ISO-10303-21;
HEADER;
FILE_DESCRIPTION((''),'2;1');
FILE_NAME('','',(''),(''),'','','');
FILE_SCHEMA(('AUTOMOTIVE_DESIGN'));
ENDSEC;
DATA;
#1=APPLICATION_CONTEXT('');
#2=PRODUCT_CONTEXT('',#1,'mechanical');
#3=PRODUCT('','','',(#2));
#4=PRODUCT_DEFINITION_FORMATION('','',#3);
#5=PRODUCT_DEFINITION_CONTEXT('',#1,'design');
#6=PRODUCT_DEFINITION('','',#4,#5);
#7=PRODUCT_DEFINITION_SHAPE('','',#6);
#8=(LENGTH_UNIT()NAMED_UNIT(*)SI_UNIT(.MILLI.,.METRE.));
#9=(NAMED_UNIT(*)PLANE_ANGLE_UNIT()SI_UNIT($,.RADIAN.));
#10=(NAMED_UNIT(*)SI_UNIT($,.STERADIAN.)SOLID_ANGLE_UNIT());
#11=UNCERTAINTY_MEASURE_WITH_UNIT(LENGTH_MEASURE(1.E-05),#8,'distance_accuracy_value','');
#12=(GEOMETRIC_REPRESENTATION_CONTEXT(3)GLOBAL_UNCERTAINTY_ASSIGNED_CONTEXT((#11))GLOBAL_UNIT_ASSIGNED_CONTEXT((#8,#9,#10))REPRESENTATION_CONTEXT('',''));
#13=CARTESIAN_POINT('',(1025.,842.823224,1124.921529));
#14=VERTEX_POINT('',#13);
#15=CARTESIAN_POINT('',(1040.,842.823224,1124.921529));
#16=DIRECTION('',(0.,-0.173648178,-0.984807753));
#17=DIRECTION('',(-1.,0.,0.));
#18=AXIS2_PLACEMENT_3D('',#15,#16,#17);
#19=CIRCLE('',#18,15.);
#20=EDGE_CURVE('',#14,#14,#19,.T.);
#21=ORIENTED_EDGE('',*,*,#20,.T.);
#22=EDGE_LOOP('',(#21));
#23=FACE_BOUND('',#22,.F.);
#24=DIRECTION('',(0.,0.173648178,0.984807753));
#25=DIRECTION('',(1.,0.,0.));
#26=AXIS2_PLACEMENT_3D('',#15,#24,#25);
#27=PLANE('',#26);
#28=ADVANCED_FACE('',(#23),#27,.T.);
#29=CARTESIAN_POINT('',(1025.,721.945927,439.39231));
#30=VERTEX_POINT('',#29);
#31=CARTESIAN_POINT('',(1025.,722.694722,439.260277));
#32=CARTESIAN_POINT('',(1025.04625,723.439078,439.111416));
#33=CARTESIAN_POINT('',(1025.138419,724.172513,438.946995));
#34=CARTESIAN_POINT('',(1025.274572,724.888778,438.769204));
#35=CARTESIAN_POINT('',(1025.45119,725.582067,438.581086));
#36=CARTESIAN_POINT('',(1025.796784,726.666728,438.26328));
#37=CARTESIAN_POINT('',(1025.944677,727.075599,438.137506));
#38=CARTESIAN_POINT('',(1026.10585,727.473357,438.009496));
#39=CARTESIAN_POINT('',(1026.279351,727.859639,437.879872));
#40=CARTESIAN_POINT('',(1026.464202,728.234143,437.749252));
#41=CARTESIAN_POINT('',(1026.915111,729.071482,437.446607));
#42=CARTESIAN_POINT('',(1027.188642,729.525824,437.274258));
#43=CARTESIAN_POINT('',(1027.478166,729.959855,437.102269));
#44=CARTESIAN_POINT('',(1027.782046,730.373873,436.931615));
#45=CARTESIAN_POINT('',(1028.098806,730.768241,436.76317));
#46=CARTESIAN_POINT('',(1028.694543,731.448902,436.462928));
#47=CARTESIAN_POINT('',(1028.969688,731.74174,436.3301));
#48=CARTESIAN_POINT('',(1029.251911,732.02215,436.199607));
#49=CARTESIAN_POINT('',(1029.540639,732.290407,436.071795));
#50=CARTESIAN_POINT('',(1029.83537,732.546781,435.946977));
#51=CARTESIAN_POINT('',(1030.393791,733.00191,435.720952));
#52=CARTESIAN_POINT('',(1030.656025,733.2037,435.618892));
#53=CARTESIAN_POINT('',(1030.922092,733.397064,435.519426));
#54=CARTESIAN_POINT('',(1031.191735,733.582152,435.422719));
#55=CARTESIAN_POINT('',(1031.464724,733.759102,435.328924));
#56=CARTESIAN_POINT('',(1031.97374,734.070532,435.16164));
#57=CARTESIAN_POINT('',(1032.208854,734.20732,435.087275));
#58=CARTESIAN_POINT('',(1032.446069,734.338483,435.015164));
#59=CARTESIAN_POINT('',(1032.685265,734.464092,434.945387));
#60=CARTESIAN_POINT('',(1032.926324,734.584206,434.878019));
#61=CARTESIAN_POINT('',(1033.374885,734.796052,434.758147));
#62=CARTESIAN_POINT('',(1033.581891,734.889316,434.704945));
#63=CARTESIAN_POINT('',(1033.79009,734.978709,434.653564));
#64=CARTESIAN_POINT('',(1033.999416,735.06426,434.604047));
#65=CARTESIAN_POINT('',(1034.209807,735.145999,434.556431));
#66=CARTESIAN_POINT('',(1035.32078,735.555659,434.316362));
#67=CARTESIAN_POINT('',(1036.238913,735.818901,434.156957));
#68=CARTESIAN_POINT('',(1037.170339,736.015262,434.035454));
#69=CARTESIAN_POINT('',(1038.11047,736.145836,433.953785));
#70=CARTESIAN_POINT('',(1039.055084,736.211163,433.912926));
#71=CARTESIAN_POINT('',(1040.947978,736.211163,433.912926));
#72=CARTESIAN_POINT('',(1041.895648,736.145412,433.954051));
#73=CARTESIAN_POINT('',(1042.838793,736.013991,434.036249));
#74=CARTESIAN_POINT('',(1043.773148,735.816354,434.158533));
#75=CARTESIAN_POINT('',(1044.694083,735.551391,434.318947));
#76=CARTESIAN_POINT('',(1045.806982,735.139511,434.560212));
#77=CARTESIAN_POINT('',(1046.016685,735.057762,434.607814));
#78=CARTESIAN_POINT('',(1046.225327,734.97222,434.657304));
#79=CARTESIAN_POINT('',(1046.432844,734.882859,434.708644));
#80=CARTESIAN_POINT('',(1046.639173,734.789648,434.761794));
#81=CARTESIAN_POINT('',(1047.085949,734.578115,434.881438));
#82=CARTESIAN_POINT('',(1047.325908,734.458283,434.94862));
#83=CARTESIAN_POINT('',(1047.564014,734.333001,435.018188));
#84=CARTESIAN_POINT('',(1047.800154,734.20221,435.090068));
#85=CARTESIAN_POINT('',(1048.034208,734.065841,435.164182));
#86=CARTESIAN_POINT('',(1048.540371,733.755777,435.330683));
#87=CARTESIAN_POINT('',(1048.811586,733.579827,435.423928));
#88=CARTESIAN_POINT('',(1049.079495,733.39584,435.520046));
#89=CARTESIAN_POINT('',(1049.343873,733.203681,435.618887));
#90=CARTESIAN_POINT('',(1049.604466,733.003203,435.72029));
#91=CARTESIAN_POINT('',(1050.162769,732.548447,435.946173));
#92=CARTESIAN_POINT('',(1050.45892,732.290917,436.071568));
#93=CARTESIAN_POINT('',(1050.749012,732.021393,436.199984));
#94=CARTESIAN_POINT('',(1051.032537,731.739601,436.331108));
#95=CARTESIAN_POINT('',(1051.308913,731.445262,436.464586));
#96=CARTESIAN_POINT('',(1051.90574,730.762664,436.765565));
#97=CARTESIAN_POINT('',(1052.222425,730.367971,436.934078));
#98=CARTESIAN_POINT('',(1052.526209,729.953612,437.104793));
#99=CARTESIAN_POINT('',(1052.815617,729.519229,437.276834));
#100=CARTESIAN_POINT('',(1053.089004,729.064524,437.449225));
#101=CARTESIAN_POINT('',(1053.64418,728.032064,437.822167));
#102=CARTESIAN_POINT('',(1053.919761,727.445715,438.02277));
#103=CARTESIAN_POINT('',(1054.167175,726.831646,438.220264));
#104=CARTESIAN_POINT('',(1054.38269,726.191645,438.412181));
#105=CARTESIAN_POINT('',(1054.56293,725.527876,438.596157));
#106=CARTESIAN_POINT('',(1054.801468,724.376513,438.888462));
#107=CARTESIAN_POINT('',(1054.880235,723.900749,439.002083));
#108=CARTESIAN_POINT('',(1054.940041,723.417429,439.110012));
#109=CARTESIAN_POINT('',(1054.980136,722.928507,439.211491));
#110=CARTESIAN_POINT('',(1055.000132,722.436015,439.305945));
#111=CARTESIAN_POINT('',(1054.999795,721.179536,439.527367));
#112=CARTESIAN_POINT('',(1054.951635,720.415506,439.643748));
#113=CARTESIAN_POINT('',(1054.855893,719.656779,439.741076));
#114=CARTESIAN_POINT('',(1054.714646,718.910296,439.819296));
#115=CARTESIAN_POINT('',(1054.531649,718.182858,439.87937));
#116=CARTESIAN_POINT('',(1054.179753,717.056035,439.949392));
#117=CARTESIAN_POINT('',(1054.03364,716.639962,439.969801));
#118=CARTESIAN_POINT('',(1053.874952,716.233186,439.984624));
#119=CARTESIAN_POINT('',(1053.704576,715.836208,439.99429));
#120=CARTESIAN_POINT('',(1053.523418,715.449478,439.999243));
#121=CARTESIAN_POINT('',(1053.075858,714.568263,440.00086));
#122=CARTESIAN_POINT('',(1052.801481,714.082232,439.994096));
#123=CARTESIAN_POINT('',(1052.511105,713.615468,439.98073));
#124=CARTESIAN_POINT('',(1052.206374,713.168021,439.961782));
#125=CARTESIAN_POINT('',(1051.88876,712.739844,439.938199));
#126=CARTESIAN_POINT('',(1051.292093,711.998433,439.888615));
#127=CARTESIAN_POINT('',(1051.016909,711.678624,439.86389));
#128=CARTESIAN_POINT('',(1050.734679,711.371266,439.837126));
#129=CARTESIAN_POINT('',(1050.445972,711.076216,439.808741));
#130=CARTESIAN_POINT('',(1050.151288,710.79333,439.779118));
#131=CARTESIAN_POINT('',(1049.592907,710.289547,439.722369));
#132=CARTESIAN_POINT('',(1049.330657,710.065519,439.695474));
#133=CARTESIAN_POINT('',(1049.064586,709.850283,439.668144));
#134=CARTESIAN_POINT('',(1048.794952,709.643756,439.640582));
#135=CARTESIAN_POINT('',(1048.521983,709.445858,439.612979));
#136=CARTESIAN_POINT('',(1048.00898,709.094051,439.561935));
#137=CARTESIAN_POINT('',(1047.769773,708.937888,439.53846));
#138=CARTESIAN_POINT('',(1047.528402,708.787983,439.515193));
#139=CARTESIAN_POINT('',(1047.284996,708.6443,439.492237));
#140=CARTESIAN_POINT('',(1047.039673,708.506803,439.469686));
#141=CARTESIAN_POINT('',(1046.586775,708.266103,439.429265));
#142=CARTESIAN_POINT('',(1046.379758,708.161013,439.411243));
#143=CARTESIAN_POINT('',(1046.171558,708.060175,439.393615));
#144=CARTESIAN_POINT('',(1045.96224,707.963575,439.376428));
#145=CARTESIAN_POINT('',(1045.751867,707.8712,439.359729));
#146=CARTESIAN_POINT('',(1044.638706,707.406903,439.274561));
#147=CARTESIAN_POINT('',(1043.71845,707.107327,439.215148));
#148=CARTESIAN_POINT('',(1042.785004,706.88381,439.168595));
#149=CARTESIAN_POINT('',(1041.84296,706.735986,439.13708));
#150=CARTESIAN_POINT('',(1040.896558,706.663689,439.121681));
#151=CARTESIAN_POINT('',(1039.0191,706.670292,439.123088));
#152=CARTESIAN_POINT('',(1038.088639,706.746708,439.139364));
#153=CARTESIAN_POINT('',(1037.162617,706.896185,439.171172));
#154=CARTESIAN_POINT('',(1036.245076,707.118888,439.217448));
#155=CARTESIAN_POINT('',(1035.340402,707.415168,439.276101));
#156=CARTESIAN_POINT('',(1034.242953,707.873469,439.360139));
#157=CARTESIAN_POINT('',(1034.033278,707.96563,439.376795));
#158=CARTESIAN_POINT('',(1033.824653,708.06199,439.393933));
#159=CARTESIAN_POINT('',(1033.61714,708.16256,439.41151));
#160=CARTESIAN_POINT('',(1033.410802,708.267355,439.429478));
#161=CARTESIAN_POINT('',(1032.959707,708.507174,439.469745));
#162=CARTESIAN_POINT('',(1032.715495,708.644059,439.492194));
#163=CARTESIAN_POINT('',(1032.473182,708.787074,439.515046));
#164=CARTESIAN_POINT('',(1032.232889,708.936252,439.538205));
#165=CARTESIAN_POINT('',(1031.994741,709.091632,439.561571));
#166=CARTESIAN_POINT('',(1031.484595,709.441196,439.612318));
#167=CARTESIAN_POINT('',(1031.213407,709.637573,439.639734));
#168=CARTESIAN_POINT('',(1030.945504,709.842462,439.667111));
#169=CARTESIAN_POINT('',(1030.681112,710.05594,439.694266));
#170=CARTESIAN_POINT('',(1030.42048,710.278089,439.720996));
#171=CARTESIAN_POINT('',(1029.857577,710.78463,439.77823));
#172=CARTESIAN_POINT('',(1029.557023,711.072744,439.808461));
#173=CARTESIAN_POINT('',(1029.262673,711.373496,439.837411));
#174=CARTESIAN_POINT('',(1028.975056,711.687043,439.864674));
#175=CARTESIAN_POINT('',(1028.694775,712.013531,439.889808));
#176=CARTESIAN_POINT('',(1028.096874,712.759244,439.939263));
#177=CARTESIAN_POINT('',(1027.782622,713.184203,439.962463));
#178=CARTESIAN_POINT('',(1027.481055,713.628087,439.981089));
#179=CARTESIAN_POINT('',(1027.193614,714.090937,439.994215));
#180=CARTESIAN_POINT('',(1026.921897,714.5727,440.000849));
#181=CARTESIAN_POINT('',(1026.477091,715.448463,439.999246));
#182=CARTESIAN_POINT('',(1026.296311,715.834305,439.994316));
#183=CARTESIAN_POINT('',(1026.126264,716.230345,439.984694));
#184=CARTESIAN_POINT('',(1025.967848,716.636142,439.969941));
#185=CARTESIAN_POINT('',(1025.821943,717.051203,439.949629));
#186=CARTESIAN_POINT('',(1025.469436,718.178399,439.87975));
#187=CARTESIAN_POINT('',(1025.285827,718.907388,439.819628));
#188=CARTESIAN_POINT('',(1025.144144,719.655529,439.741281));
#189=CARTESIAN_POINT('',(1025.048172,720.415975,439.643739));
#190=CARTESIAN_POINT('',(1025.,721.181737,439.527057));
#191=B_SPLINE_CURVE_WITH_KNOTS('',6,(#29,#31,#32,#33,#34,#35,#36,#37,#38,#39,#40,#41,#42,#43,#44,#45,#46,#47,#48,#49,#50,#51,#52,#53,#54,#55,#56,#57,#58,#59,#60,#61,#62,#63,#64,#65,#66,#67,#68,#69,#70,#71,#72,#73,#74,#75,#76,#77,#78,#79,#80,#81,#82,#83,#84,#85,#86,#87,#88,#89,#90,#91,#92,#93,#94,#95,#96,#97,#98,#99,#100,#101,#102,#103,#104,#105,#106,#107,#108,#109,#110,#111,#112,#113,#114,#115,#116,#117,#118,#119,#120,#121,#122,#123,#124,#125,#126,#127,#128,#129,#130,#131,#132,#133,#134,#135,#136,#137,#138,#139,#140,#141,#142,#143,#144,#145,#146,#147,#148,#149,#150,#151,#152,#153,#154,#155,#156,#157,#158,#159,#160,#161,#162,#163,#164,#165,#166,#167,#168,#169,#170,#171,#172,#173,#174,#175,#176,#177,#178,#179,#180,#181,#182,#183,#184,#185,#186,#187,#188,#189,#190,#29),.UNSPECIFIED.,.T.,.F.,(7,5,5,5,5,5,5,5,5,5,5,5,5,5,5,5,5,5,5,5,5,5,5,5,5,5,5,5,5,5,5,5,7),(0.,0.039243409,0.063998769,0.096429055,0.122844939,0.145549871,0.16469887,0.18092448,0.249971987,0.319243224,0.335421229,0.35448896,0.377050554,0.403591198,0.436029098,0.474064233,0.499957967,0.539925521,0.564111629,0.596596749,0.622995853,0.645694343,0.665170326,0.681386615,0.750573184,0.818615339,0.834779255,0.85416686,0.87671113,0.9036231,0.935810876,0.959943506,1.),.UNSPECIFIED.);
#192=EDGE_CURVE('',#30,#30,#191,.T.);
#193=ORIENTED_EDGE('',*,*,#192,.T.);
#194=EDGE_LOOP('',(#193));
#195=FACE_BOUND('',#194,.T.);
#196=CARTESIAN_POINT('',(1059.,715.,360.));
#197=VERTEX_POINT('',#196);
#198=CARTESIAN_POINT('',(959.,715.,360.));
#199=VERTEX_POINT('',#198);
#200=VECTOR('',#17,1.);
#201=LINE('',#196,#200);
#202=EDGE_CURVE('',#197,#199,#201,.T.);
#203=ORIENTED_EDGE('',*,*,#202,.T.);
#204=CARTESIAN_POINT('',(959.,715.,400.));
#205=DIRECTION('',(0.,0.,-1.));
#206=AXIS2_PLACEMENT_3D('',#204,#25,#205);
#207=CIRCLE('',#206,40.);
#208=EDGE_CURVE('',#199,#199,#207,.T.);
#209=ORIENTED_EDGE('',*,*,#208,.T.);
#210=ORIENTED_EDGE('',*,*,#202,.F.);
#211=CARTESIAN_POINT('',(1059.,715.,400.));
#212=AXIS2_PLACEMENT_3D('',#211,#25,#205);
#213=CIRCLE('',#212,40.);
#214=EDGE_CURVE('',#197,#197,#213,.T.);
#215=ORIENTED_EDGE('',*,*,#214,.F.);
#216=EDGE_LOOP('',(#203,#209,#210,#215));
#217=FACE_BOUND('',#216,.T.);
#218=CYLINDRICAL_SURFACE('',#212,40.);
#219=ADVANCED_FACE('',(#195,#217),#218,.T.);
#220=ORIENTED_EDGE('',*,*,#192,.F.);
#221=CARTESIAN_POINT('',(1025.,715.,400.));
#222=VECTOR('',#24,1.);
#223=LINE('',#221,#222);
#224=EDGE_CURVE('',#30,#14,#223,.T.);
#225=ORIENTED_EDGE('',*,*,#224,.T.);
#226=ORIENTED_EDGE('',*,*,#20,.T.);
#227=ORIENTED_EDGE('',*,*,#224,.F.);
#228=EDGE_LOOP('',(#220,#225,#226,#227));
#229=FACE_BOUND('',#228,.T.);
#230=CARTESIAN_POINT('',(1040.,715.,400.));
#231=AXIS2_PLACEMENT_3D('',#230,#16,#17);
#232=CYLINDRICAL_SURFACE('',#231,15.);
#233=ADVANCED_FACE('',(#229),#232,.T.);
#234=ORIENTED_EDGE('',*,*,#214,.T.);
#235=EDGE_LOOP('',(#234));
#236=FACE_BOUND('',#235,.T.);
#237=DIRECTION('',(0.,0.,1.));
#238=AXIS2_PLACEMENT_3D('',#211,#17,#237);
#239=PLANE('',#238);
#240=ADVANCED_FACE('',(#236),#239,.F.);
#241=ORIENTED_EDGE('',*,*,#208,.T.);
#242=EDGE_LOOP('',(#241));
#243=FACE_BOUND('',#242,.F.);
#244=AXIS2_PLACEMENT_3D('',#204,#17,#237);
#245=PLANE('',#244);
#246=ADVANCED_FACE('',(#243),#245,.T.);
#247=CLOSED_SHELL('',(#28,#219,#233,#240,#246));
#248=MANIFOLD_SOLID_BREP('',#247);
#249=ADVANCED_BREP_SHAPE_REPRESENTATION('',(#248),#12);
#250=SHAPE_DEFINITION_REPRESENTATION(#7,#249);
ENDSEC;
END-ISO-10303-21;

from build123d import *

# Parameters (mm, degrees)
CYLINDER002_R           = 40
CYLINDER002_DEPTH       = 100
CYLINDER002_PITCH_ANGLE = 90
CYLINDER001_R           = 15
CYLINDER001_DEPTH       = 736.104612
CYLINDER001_ROLL_ANGLE  = -10


with BuildPart() as eje_brazo:
    # Cylinder002 → Cylinder002 (new body)
    with BuildSketch(Plane.XY):
        Circle(CYLINDER002_R)
    extrude(amount=CYLINDER002_DEPTH)


with BuildPart() as eje_brazo_1:
    # Cylinder002 pitch: moved
    add(eje_brazo.part.rotate(Axis((0, 0, 0), (0, 1, 0)), CYLINDER002_PITCH_ANGLE))


with BuildPart() as eje_brazo_2:
    # Cylinder002 placement: moved
    add(eje_brazo_1.part.moved(Location((-59, 715, 400))))


with BuildPart() as brazo:
    # Cylinder001 → Cylinder001 (new body)
    with BuildSketch(Plane.XY):
        Circle(CYLINDER001_R)
    extrude(amount=CYLINDER001_DEPTH)


with BuildPart() as brazo_1:
    # Cylinder001 roll: moved
    add(brazo.part.rotate(Axis((0, 0, 0), (1, 0, 0)), CYLINDER001_ROLL_ANGLE))


with BuildPart() as brazo_2:
    # Cylinder001 placement: moved
    add(brazo_1.part.moved(Location((-40, 715, 400))))

    # Fusion: union Eje_brazo
    add(eje_brazo_2.part)


with BuildPart() as brazos:
    # mirror: instance of Brazo
    add(brazo_2.part.mirror(Plane(origin=(500, 0, 0), x_dir=(0, -1, 0), z_dir=(1, 0, 0))))


solid = brazos.part
